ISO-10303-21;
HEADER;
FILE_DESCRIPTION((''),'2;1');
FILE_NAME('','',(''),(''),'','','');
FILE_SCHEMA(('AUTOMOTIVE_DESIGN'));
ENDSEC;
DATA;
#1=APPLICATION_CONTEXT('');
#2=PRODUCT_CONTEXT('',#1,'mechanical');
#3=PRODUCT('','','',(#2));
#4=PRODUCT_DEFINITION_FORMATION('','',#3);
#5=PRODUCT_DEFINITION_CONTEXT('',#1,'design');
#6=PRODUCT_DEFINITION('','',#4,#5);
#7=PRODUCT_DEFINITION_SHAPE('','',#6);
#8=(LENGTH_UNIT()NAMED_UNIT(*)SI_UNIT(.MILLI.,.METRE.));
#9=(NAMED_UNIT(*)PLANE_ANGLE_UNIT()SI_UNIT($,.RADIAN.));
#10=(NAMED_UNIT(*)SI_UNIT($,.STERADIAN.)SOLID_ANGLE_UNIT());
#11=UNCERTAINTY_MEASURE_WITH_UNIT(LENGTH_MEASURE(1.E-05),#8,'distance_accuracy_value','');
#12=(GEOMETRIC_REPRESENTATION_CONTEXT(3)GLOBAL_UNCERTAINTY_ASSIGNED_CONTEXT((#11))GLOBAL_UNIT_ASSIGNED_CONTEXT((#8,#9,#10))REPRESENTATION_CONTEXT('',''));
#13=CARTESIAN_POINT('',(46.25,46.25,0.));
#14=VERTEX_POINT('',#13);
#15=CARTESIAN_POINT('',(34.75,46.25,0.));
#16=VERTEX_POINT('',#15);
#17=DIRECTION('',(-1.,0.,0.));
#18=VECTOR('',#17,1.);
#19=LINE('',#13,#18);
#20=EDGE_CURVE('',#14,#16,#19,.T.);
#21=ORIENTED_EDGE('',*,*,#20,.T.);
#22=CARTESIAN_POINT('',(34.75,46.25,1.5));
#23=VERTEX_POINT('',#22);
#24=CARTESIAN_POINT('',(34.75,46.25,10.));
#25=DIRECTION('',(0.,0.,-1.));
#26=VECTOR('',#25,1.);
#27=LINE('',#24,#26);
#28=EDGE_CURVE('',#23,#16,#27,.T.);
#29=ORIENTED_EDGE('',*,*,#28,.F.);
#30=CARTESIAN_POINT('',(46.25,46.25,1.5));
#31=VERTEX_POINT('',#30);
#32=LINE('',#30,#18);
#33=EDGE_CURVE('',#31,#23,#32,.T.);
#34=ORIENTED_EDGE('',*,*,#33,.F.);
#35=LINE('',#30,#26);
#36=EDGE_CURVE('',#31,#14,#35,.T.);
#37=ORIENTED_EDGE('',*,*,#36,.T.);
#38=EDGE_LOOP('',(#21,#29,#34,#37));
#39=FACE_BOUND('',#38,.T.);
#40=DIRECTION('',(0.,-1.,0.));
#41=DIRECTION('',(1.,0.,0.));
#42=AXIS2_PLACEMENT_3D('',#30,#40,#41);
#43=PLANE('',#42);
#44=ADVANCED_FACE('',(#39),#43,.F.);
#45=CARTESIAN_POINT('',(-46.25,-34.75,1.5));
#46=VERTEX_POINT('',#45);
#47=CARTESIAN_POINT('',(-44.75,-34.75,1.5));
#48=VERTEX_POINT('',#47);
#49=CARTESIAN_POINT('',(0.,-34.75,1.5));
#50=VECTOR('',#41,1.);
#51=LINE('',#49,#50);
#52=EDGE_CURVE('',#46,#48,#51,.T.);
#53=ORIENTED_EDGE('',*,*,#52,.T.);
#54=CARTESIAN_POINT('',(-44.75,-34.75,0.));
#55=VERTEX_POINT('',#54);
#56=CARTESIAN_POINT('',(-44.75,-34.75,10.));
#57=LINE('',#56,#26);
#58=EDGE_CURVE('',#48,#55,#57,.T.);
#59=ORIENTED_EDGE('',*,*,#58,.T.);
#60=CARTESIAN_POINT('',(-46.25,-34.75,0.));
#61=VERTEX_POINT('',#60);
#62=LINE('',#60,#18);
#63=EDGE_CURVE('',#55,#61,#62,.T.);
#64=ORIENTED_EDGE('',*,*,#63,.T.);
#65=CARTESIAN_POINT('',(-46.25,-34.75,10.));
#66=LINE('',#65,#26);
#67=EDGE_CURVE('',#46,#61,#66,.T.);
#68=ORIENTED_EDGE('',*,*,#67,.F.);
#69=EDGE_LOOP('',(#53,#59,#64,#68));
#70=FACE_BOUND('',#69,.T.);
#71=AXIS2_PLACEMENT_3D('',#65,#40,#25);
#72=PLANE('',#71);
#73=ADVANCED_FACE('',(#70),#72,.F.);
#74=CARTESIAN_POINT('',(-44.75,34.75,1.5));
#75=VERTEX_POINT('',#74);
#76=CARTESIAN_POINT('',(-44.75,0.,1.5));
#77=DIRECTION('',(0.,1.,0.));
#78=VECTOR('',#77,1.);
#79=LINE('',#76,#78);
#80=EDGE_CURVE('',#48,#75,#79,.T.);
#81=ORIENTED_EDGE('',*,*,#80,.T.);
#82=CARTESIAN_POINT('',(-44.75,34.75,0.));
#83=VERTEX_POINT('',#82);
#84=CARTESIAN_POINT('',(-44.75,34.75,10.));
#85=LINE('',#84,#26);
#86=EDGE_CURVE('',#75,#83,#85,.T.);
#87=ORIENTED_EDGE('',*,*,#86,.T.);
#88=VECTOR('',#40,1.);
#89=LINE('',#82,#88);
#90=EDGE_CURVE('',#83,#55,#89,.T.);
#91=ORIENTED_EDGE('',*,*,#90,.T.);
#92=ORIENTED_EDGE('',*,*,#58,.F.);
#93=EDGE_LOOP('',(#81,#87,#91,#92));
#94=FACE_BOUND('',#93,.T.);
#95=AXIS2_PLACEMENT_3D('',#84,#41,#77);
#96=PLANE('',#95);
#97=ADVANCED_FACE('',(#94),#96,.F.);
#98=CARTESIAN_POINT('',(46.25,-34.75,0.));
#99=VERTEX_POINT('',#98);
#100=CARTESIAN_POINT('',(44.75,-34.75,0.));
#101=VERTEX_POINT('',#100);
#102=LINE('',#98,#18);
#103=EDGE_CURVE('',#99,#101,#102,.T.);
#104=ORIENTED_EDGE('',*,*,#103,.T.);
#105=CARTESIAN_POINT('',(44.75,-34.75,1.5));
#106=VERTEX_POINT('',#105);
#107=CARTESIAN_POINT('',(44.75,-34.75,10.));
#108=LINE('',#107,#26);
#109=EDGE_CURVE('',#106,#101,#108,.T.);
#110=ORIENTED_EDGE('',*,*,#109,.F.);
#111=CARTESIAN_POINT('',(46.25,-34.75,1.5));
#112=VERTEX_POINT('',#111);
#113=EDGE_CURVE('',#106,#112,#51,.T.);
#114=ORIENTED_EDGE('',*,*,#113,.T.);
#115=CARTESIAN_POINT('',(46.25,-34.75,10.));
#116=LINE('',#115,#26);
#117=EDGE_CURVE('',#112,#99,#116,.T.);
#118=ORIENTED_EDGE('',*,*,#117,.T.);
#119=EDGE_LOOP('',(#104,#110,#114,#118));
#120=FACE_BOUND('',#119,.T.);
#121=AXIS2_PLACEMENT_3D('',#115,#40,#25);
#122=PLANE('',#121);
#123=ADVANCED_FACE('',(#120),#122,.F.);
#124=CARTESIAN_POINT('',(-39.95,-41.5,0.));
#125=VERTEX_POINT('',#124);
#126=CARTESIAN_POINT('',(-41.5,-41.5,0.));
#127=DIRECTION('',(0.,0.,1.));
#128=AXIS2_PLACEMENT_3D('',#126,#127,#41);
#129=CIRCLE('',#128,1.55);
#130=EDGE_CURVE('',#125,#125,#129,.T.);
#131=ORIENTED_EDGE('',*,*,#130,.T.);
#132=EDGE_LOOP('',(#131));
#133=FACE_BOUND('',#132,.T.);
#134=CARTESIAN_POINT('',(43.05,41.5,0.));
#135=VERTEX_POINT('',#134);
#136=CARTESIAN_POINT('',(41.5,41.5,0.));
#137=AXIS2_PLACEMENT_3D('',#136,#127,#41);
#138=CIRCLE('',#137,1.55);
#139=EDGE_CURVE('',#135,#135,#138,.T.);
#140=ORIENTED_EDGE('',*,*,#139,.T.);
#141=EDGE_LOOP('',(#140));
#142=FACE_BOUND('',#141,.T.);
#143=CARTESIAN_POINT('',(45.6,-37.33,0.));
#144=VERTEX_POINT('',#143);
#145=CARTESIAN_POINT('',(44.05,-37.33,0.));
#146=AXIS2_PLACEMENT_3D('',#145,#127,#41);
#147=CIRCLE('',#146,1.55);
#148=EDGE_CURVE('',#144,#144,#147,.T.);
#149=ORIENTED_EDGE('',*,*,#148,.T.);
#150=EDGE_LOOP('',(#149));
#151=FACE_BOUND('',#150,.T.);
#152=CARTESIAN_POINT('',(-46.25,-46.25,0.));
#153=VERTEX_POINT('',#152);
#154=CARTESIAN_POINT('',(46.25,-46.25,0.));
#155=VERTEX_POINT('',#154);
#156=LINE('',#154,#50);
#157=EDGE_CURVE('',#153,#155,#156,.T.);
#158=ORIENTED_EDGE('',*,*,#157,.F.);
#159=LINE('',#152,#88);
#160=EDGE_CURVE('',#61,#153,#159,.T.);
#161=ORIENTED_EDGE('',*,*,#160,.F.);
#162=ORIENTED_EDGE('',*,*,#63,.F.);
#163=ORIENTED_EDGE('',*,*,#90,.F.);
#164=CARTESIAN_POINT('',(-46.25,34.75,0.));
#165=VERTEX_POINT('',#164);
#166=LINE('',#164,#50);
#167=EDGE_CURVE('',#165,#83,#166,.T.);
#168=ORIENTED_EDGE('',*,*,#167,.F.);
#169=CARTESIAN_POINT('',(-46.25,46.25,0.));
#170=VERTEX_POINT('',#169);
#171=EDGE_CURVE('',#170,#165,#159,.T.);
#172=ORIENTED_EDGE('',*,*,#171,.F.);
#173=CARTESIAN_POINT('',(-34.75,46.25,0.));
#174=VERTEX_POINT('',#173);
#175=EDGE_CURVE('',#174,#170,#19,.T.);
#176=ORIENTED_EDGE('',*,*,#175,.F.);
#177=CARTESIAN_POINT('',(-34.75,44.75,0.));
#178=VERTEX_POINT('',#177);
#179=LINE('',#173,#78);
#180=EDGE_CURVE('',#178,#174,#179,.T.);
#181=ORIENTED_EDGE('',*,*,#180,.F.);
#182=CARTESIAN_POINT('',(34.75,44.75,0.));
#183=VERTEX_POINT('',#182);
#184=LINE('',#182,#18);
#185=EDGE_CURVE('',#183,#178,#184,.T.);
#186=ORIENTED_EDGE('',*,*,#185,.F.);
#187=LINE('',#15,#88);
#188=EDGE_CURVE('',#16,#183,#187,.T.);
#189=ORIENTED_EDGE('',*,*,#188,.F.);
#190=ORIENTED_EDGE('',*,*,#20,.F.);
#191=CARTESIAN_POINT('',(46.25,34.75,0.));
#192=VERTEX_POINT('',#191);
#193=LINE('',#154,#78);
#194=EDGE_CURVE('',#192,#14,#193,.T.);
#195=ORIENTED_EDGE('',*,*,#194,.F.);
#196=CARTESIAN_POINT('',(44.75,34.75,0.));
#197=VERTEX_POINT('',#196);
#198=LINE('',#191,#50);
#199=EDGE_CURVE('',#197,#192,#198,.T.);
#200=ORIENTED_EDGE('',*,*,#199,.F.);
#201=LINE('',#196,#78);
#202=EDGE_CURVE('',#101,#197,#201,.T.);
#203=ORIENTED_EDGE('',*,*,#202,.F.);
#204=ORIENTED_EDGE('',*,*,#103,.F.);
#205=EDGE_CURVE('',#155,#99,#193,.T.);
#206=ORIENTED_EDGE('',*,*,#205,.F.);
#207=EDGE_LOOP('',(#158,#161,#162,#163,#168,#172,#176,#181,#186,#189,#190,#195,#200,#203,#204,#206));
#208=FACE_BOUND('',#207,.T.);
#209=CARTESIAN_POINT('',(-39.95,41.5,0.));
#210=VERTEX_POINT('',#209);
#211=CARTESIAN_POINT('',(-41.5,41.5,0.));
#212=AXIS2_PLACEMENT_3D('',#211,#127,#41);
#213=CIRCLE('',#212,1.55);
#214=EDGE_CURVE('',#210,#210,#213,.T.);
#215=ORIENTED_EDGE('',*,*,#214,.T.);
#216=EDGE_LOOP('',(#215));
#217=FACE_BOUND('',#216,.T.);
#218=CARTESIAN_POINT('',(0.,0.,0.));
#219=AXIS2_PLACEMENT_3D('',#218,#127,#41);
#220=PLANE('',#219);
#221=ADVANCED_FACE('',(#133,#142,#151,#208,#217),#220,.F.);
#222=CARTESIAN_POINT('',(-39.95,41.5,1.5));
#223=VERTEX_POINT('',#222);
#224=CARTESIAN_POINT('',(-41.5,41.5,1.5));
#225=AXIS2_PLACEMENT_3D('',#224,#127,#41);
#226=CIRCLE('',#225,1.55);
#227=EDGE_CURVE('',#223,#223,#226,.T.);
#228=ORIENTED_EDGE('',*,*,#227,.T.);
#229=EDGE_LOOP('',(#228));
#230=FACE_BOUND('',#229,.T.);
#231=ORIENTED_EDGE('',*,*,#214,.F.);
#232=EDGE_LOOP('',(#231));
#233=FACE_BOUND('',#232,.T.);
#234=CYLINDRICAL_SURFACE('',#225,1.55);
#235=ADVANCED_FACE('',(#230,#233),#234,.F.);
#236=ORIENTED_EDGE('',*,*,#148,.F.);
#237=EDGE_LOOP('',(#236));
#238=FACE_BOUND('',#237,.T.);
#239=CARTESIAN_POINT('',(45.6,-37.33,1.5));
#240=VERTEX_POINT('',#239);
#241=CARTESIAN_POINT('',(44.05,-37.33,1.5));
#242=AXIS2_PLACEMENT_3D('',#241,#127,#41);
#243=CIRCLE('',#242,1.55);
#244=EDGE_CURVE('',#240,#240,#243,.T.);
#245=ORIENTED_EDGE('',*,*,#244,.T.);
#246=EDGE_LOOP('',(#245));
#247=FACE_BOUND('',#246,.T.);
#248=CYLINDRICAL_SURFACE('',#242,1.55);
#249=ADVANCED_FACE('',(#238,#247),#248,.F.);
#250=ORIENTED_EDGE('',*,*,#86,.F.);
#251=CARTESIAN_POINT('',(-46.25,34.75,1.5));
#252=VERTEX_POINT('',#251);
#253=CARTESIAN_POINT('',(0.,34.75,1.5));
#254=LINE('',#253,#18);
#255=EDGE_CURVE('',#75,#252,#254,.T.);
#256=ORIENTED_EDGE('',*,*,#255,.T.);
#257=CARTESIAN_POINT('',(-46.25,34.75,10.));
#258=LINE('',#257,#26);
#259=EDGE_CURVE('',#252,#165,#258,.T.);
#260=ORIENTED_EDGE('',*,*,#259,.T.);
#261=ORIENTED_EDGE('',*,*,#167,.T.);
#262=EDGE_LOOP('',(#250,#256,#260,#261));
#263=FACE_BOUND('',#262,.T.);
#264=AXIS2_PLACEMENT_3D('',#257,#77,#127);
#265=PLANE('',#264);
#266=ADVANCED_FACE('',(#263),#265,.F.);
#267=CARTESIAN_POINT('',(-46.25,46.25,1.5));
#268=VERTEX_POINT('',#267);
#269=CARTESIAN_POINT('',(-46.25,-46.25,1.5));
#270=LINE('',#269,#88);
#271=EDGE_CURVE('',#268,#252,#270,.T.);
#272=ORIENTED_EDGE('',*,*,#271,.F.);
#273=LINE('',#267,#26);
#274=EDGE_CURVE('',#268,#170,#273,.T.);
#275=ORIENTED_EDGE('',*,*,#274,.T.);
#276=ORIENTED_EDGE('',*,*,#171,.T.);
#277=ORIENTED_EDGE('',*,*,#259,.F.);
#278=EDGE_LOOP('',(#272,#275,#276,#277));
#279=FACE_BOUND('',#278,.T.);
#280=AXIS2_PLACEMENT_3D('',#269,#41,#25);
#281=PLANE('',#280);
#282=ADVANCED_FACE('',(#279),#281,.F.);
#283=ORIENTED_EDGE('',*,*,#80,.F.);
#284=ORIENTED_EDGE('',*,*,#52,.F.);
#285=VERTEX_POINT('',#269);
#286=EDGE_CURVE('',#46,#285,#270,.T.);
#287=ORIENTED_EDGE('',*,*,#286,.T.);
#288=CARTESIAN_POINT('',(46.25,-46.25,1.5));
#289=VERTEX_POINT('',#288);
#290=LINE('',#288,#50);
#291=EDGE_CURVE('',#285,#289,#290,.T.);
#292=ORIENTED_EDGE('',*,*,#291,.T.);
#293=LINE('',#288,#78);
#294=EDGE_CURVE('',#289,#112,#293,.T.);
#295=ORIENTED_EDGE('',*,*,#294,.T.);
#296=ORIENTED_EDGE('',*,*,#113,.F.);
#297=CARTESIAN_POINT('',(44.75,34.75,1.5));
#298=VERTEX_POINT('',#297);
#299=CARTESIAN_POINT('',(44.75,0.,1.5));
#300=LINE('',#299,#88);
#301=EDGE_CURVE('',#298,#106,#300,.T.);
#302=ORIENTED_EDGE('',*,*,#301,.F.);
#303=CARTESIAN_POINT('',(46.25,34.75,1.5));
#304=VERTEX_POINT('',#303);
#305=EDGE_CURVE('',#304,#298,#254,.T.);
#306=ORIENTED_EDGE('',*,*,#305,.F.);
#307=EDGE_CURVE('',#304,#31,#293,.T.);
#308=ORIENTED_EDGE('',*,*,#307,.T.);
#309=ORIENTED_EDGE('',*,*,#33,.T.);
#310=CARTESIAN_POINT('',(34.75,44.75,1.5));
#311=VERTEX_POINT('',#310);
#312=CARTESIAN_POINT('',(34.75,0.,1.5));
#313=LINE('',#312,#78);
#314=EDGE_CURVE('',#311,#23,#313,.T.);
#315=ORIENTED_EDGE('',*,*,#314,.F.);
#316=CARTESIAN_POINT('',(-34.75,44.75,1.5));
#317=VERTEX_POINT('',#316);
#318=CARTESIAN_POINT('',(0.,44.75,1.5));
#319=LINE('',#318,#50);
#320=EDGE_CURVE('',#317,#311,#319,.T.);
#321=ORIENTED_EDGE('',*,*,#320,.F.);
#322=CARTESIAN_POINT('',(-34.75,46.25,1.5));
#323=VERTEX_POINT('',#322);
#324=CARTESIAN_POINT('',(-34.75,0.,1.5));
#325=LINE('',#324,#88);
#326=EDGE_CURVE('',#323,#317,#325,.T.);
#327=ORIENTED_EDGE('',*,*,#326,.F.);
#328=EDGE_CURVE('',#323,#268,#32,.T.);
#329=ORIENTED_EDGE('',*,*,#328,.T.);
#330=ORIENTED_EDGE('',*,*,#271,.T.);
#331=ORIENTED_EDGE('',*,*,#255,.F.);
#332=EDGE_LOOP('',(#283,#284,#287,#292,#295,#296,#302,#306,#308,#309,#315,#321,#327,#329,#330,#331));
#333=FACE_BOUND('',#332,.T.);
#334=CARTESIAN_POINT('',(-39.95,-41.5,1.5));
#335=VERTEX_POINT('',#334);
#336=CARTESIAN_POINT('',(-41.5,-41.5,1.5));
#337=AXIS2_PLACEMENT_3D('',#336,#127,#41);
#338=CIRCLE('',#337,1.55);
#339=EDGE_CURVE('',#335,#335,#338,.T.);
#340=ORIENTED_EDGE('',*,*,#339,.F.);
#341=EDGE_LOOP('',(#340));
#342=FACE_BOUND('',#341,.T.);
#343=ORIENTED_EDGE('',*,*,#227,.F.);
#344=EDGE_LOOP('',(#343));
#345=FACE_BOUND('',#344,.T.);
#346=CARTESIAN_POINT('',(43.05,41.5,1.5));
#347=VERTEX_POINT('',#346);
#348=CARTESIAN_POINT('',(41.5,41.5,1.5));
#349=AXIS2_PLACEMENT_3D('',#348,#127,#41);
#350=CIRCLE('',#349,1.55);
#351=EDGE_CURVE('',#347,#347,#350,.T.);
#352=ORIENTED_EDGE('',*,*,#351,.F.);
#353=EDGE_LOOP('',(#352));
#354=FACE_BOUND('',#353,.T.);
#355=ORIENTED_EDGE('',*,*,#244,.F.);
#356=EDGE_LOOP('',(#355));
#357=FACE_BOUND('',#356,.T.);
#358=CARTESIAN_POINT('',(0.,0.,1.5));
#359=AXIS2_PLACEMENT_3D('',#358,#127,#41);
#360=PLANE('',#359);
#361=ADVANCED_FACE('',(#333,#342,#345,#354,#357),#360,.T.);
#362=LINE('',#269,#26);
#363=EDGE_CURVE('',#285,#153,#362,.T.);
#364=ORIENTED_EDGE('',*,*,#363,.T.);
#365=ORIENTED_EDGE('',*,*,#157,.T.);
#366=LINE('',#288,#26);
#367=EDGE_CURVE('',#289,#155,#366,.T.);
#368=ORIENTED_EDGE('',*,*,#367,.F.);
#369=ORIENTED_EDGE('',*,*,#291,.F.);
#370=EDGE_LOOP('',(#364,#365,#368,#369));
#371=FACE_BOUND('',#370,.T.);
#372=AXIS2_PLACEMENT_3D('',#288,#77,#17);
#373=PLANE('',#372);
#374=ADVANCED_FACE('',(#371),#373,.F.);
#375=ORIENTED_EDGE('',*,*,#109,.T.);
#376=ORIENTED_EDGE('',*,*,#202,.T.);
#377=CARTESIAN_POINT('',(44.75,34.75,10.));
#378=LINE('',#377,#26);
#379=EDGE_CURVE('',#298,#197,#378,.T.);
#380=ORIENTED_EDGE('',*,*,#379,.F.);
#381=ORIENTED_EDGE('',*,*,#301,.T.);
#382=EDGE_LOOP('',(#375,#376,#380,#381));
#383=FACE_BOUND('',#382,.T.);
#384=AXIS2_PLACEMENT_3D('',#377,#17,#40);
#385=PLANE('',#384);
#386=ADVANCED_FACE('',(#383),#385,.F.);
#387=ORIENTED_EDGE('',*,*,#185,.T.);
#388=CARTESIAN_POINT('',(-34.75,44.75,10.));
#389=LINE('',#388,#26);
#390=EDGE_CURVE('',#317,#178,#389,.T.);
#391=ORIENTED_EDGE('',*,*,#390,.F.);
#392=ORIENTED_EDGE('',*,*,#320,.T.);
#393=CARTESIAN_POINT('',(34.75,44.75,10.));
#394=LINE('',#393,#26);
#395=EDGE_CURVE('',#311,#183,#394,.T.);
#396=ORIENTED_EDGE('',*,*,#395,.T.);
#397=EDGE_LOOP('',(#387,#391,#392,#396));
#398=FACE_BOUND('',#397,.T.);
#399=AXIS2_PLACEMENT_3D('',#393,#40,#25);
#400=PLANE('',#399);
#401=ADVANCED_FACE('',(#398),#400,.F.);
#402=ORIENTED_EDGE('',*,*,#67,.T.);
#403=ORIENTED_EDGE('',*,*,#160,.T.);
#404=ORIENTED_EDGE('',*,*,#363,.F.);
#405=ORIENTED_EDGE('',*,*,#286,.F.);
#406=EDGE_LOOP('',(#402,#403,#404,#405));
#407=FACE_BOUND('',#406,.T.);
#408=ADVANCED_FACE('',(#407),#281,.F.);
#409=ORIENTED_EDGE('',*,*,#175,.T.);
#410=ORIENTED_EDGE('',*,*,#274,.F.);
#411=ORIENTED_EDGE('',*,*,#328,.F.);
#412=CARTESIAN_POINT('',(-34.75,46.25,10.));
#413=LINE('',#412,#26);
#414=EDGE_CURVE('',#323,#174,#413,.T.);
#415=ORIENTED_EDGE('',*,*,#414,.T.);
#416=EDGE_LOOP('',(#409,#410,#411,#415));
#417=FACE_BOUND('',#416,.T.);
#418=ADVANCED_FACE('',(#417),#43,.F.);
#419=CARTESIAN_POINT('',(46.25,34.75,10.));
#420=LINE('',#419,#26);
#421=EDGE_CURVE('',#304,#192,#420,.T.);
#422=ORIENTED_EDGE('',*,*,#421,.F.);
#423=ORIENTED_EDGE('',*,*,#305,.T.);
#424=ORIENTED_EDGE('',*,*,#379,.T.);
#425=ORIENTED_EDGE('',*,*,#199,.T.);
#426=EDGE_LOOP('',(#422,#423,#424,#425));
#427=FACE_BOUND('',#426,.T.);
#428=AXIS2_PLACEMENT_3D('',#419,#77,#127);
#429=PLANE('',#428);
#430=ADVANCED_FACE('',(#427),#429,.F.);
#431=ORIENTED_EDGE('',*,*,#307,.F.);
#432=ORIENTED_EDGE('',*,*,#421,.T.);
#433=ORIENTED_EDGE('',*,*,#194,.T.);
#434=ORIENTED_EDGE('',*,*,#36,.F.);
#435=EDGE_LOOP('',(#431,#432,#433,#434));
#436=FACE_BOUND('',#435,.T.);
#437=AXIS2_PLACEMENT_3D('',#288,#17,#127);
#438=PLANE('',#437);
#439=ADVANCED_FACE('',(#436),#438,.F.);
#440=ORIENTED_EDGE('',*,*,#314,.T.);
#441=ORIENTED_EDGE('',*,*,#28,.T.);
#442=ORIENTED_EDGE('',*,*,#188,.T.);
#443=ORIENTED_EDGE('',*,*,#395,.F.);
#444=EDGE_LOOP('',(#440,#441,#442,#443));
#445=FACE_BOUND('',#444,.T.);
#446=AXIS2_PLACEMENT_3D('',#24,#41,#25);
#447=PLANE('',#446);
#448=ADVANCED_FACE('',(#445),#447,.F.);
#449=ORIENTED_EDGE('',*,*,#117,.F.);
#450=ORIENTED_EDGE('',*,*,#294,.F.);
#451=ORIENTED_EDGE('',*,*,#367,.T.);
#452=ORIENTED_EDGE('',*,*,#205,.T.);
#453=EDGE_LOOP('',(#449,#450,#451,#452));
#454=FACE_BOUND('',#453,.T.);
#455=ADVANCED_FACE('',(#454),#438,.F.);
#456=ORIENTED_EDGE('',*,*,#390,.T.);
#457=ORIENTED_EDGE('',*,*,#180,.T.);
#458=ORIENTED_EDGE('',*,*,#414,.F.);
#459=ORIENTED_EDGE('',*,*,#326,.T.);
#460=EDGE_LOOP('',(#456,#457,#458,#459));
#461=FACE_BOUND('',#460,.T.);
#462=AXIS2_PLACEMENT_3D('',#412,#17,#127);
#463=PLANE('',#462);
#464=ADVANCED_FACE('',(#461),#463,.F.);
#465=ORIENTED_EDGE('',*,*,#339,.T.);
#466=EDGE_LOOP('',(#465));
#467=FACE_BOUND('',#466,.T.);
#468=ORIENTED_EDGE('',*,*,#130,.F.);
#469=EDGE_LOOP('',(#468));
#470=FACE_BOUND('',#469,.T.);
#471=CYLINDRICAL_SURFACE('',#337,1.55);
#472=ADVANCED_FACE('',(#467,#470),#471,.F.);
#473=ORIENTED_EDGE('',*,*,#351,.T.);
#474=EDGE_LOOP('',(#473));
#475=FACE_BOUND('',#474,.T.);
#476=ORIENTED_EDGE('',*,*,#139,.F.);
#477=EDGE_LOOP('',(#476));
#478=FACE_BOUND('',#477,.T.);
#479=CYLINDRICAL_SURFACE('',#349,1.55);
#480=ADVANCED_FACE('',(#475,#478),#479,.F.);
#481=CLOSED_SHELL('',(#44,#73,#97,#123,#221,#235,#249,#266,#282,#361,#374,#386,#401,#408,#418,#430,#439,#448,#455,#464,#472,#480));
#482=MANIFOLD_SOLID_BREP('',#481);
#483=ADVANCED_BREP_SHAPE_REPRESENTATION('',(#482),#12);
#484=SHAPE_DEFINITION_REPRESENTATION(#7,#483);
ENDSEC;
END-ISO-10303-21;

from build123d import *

# Parameters (mm, degrees)
SKETCH1_W                  = 92.5
SKETCH1_H                  = 92.5
BOSS_EXTRUDE1_DEPTH        = 1.5
F_3_1_3_1_DIAMETER_HOLE1_D = 3.1
SKETCH4_W                  = 1.5
SKETCH4_H                  = 69.5
SKETCH4_W_2                = 69.5
SKETCH4_H_2                = 1.5
CUT_EXTRUDE1_DEPTH         = 10


with BuildPart() as part:
    # Sketch1 → Boss-Extrude1 (new body)
    with BuildSketch(Plane.XY):
        Rectangle(SKETCH1_W, SKETCH1_H)
    extrude(amount=BOSS_EXTRUDE1_DEPTH)

    # Ø3.1 (3.1) Diameter Hole1 (through all)
    with Locations(Plane.XY.offset(1.5)):
        with Locations((-41.5, 41.5), (41.5, 41.5), (44.05, -37.33), (-41.5, -41.5)):
            Hole(F_3_1_3_1_DIAMETER_HOLE1_D / 2)

    # Sketch4 → Cut-Extrude1 (cut)
    with BuildSketch(Plane(origin=(0, 0, 0), x_dir=(-1, 0, 0), z_dir=(0, 0, -1))):
        with Locations((-45.5, 0)):
            Rectangle(SKETCH4_W, SKETCH4_H)
        with Locations((45.5, 0)):
            Rectangle(SKETCH4_W, SKETCH4_H)
        with Locations((0, 45.5)):
            Rectangle(SKETCH4_W_2, SKETCH4_H_2)
    extrude(amount=-CUT_EXTRUDE1_DEPTH, mode=Mode.SUBTRACT)


solid = part.part
